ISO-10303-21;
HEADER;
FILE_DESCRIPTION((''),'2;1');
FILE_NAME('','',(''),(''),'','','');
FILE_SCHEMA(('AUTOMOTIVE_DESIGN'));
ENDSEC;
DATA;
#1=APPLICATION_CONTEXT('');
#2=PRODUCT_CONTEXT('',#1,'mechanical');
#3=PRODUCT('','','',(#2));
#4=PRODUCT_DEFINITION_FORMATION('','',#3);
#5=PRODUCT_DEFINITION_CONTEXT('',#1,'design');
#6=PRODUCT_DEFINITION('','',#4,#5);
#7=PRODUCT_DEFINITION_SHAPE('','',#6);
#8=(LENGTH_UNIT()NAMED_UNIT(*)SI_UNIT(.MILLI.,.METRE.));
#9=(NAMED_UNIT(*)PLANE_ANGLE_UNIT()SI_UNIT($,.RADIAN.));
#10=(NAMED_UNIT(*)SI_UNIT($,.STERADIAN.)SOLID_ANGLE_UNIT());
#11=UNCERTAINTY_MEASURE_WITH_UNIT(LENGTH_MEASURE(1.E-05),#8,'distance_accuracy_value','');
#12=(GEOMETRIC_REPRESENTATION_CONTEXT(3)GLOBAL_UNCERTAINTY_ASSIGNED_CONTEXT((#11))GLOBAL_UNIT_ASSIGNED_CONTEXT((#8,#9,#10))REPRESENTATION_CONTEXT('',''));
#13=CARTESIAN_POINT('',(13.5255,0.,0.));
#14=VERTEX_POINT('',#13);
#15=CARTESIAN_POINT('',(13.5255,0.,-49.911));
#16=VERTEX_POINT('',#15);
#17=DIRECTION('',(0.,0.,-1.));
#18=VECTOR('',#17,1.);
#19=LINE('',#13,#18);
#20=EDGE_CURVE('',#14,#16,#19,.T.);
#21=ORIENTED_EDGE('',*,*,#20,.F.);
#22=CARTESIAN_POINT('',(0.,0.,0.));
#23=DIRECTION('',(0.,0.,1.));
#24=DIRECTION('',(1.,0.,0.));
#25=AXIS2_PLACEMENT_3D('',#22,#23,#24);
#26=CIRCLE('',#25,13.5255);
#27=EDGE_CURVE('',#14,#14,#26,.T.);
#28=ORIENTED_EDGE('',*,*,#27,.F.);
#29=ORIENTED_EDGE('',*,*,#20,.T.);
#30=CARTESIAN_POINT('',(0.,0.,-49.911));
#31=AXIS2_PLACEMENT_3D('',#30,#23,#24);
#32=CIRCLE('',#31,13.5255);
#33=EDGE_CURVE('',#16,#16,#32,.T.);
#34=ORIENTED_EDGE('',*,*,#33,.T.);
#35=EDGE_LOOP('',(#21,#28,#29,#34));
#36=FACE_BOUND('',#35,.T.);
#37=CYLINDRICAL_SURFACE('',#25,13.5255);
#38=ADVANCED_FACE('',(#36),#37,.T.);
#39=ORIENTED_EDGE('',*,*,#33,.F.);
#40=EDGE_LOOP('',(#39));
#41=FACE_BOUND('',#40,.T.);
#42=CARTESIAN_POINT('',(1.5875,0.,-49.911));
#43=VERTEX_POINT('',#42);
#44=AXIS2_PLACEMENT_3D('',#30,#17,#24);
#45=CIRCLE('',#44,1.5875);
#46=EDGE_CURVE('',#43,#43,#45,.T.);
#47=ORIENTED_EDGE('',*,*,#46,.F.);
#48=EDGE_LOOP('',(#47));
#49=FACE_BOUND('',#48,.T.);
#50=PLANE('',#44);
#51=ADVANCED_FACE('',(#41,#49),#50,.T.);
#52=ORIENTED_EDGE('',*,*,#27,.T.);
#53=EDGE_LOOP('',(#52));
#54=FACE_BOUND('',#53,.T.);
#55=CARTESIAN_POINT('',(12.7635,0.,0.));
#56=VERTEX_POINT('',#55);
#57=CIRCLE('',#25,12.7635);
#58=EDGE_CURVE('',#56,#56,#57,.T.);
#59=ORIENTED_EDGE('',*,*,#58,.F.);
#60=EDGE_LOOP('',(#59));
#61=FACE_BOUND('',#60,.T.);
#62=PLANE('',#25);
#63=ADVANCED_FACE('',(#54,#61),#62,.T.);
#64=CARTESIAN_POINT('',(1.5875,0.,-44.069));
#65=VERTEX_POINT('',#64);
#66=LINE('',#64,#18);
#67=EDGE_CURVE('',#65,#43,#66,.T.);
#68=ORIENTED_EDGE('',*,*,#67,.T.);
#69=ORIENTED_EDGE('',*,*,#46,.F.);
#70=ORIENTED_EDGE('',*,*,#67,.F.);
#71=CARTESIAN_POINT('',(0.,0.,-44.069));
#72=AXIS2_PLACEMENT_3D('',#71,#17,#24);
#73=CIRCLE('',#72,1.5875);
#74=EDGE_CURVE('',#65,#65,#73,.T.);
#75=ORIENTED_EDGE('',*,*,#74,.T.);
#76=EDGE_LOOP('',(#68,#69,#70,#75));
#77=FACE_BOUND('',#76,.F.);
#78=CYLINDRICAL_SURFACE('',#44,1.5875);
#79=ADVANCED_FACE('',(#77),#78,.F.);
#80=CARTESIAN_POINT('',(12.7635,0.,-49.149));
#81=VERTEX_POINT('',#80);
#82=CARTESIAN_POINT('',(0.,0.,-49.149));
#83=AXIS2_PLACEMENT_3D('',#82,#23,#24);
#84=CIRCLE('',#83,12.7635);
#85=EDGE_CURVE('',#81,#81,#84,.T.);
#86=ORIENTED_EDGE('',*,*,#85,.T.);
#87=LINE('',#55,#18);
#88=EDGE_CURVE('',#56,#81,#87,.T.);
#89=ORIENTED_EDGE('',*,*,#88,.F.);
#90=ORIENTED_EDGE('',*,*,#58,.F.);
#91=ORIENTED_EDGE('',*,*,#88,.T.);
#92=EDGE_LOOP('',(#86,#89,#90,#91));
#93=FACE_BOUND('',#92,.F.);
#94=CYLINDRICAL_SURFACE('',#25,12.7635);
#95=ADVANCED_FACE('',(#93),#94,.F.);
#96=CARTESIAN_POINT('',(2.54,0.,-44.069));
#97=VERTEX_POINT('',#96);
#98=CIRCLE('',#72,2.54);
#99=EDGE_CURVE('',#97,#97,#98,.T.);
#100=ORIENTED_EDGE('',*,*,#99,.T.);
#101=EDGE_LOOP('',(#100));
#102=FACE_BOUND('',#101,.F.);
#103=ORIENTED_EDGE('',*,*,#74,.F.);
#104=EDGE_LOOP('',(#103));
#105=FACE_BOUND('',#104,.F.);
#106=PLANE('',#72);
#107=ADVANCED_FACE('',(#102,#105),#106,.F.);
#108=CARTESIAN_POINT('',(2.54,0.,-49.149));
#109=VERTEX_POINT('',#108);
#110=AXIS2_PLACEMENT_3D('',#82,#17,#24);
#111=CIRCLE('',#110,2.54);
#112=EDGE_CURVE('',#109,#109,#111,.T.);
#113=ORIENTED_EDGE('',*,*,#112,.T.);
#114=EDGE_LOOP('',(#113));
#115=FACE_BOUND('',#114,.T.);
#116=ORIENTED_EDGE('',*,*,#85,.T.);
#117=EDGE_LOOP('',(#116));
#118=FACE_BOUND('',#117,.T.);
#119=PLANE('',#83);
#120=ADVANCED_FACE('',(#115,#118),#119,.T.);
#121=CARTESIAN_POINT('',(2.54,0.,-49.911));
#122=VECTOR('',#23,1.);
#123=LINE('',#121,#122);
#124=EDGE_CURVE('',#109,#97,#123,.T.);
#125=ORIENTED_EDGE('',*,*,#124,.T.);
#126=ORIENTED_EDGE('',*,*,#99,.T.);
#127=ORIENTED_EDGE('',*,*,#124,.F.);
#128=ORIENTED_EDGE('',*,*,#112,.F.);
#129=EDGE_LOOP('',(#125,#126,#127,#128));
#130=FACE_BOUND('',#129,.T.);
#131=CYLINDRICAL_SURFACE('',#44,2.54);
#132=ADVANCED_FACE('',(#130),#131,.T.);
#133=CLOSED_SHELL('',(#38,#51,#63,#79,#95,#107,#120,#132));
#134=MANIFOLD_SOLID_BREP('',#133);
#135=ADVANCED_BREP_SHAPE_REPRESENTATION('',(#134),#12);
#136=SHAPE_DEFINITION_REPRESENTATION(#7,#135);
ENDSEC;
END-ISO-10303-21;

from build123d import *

# Parameters (mm, degrees)
F0_R     = 13.5255
F1_DEPTH = 49.911
F2_R     = 12.7635
F3_DEPTH = 49.149
F4_R     = 2.54
F4_R_2   = 1.5875
F5_DEPTH = 5.842
F6_R     = 1.5875
F7_DEPTH = 49.912


with BuildPart() as f1:
    # F0 (on Top) → F1 (new body)
    with BuildSketch(Plane.XY):
        Circle(F0_R)
    extrude(amount=-F1_DEPTH)

    # F2 (on face) → F3 (cut)
    with BuildSketch(Plane.XY):
        Circle(F2_R)
    extrude(amount=-F3_DEPTH, mode=Mode.SUBTRACT)

    # F4 (on face) → F5 (join)
    with BuildSketch(Plane(origin=(0, 0, -49.911), x_dir=(1, 0, 0), z_dir=(0, 0, -1))):
        Circle(F4_R)
        Circle(F4_R_2, mode=Mode.SUBTRACT)
    extrude(amount=-F5_DEPTH)

    # F6 (on face) → F7 (cut, through all)
    with BuildSketch(Plane(origin=(0, 0, -49.911), x_dir=(1, 0, 0), z_dir=(0, 0, -1))):
        Circle(F6_R)
    extrude(amount=-F7_DEPTH, mode=Mode.SUBTRACT)


solid = f1.part
